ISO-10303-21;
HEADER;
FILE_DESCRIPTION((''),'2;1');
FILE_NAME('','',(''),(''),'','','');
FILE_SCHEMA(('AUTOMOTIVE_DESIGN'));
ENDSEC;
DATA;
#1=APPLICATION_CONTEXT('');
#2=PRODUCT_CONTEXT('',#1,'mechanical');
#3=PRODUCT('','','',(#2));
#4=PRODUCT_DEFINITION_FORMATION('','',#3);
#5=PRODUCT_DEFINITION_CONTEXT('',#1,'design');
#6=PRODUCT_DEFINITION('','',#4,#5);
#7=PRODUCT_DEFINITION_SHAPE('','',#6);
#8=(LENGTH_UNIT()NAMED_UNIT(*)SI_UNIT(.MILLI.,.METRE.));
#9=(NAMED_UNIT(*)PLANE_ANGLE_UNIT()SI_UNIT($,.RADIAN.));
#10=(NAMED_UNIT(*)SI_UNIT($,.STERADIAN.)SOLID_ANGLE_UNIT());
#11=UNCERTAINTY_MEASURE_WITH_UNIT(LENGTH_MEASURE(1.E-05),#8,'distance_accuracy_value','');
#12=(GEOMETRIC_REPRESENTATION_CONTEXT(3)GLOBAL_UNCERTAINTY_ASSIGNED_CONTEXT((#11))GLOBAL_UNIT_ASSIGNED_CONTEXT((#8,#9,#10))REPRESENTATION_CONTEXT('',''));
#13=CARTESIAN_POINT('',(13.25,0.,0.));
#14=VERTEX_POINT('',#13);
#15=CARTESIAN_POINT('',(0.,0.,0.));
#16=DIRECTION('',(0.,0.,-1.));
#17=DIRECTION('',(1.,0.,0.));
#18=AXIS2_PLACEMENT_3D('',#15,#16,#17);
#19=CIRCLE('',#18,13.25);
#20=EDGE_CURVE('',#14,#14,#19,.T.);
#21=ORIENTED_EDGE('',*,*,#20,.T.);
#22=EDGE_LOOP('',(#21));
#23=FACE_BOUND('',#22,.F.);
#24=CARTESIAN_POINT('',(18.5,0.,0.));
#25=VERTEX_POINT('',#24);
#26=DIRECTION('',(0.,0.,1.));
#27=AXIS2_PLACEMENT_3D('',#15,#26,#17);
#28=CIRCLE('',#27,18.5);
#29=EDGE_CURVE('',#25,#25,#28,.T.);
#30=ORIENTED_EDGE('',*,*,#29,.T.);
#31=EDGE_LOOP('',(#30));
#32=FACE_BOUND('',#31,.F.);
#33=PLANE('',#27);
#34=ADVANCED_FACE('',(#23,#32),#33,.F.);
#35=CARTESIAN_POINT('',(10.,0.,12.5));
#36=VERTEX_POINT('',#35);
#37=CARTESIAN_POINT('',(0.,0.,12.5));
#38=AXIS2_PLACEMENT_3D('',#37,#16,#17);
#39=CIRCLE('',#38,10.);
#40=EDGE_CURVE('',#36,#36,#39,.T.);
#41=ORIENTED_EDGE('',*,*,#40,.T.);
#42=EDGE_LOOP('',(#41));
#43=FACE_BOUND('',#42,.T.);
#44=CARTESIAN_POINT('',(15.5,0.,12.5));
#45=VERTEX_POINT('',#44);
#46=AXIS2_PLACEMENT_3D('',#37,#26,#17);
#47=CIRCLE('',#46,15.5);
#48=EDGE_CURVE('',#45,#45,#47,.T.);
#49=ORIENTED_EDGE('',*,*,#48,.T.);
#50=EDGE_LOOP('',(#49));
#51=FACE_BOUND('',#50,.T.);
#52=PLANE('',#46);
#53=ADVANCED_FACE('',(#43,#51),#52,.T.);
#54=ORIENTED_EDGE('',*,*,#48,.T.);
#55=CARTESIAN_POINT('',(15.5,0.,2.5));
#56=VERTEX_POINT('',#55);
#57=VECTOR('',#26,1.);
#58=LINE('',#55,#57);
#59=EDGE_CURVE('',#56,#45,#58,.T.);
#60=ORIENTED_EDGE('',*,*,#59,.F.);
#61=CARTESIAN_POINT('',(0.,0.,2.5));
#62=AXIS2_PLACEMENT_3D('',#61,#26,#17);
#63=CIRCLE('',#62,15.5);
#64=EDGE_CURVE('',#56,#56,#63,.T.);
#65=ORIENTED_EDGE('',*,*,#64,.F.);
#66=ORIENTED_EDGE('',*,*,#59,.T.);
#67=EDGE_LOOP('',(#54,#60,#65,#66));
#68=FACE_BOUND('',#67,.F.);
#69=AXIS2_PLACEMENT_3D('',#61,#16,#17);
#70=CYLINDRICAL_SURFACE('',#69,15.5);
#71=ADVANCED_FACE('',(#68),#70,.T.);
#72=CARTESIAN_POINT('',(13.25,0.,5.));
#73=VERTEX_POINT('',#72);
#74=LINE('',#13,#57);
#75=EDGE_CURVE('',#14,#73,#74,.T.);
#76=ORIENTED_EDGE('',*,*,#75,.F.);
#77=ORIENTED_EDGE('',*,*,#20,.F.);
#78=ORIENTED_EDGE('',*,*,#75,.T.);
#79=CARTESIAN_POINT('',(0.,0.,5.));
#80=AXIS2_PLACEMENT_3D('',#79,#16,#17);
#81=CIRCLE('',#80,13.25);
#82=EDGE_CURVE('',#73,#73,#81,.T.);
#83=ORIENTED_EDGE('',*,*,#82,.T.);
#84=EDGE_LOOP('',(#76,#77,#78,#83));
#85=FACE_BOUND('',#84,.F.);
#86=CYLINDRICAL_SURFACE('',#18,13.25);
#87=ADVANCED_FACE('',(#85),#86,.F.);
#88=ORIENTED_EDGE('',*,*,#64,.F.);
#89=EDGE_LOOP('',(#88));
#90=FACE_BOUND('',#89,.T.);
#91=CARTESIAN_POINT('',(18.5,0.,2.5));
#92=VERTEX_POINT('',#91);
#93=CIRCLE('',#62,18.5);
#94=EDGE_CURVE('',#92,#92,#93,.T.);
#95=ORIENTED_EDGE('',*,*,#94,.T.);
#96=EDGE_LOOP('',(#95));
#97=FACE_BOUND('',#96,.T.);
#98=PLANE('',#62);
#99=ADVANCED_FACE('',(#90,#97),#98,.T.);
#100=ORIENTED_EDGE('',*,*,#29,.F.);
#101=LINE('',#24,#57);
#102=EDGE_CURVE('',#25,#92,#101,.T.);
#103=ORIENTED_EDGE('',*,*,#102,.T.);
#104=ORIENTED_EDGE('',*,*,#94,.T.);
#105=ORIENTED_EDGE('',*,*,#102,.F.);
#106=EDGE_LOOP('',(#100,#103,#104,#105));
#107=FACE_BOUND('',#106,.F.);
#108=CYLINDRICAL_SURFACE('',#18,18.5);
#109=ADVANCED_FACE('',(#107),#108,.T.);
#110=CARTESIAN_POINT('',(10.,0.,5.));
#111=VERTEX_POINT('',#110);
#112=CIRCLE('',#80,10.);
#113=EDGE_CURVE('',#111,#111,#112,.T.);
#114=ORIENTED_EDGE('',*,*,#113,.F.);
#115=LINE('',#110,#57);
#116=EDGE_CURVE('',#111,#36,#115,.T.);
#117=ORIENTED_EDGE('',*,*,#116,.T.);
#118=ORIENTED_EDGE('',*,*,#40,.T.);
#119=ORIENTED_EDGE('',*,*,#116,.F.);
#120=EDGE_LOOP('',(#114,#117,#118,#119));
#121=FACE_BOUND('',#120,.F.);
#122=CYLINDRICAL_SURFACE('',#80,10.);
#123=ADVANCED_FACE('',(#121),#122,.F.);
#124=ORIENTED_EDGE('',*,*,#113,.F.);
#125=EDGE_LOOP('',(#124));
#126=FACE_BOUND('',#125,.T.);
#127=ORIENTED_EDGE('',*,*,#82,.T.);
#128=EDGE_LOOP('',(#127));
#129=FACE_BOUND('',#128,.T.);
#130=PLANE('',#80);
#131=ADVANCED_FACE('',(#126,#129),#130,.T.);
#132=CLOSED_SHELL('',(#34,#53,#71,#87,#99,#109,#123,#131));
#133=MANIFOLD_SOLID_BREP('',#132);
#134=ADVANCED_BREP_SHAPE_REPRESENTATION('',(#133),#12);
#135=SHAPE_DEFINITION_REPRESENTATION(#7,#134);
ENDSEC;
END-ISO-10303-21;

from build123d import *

# Parameters (mm, degrees)
F0_R     = 18.5
F1_DEPTH = 2.5
F2_R     = 15.5
F3_DEPTH = 10
F4_R     = 13.25
F5_DEPTH = 5
F6_R     = 10
F7_DEPTH = 7.501


with BuildPart() as f1:
    # F0 (on Top) → F1 (new body)
    with BuildSketch(Plane.XY):
        Circle(F0_R)
    extrude(amount=F1_DEPTH)

    # F2 (on face) → F3 (join)
    with BuildSketch(Plane.XY.offset(2.5)):
        Circle(F2_R)
    extrude(amount=F3_DEPTH)

    # F4 (on face) → F5 (cut)
    with BuildSketch(Plane(origin=(0, 0, 0), x_dir=(1, 0, 0), z_dir=(0, 0, -1))):
        Circle(F4_R)
    extrude(amount=-F5_DEPTH, mode=Mode.SUBTRACT)

    # F6 (on face) → F7 (cut, through all)
    with BuildSketch(Plane(origin=(0, 0, 5), x_dir=(1, 0, 0), z_dir=(0, 0, -1))):
        Circle(F6_R)
    extrude(amount=-F7_DEPTH, mode=Mode.SUBTRACT)


solid = f1.part
